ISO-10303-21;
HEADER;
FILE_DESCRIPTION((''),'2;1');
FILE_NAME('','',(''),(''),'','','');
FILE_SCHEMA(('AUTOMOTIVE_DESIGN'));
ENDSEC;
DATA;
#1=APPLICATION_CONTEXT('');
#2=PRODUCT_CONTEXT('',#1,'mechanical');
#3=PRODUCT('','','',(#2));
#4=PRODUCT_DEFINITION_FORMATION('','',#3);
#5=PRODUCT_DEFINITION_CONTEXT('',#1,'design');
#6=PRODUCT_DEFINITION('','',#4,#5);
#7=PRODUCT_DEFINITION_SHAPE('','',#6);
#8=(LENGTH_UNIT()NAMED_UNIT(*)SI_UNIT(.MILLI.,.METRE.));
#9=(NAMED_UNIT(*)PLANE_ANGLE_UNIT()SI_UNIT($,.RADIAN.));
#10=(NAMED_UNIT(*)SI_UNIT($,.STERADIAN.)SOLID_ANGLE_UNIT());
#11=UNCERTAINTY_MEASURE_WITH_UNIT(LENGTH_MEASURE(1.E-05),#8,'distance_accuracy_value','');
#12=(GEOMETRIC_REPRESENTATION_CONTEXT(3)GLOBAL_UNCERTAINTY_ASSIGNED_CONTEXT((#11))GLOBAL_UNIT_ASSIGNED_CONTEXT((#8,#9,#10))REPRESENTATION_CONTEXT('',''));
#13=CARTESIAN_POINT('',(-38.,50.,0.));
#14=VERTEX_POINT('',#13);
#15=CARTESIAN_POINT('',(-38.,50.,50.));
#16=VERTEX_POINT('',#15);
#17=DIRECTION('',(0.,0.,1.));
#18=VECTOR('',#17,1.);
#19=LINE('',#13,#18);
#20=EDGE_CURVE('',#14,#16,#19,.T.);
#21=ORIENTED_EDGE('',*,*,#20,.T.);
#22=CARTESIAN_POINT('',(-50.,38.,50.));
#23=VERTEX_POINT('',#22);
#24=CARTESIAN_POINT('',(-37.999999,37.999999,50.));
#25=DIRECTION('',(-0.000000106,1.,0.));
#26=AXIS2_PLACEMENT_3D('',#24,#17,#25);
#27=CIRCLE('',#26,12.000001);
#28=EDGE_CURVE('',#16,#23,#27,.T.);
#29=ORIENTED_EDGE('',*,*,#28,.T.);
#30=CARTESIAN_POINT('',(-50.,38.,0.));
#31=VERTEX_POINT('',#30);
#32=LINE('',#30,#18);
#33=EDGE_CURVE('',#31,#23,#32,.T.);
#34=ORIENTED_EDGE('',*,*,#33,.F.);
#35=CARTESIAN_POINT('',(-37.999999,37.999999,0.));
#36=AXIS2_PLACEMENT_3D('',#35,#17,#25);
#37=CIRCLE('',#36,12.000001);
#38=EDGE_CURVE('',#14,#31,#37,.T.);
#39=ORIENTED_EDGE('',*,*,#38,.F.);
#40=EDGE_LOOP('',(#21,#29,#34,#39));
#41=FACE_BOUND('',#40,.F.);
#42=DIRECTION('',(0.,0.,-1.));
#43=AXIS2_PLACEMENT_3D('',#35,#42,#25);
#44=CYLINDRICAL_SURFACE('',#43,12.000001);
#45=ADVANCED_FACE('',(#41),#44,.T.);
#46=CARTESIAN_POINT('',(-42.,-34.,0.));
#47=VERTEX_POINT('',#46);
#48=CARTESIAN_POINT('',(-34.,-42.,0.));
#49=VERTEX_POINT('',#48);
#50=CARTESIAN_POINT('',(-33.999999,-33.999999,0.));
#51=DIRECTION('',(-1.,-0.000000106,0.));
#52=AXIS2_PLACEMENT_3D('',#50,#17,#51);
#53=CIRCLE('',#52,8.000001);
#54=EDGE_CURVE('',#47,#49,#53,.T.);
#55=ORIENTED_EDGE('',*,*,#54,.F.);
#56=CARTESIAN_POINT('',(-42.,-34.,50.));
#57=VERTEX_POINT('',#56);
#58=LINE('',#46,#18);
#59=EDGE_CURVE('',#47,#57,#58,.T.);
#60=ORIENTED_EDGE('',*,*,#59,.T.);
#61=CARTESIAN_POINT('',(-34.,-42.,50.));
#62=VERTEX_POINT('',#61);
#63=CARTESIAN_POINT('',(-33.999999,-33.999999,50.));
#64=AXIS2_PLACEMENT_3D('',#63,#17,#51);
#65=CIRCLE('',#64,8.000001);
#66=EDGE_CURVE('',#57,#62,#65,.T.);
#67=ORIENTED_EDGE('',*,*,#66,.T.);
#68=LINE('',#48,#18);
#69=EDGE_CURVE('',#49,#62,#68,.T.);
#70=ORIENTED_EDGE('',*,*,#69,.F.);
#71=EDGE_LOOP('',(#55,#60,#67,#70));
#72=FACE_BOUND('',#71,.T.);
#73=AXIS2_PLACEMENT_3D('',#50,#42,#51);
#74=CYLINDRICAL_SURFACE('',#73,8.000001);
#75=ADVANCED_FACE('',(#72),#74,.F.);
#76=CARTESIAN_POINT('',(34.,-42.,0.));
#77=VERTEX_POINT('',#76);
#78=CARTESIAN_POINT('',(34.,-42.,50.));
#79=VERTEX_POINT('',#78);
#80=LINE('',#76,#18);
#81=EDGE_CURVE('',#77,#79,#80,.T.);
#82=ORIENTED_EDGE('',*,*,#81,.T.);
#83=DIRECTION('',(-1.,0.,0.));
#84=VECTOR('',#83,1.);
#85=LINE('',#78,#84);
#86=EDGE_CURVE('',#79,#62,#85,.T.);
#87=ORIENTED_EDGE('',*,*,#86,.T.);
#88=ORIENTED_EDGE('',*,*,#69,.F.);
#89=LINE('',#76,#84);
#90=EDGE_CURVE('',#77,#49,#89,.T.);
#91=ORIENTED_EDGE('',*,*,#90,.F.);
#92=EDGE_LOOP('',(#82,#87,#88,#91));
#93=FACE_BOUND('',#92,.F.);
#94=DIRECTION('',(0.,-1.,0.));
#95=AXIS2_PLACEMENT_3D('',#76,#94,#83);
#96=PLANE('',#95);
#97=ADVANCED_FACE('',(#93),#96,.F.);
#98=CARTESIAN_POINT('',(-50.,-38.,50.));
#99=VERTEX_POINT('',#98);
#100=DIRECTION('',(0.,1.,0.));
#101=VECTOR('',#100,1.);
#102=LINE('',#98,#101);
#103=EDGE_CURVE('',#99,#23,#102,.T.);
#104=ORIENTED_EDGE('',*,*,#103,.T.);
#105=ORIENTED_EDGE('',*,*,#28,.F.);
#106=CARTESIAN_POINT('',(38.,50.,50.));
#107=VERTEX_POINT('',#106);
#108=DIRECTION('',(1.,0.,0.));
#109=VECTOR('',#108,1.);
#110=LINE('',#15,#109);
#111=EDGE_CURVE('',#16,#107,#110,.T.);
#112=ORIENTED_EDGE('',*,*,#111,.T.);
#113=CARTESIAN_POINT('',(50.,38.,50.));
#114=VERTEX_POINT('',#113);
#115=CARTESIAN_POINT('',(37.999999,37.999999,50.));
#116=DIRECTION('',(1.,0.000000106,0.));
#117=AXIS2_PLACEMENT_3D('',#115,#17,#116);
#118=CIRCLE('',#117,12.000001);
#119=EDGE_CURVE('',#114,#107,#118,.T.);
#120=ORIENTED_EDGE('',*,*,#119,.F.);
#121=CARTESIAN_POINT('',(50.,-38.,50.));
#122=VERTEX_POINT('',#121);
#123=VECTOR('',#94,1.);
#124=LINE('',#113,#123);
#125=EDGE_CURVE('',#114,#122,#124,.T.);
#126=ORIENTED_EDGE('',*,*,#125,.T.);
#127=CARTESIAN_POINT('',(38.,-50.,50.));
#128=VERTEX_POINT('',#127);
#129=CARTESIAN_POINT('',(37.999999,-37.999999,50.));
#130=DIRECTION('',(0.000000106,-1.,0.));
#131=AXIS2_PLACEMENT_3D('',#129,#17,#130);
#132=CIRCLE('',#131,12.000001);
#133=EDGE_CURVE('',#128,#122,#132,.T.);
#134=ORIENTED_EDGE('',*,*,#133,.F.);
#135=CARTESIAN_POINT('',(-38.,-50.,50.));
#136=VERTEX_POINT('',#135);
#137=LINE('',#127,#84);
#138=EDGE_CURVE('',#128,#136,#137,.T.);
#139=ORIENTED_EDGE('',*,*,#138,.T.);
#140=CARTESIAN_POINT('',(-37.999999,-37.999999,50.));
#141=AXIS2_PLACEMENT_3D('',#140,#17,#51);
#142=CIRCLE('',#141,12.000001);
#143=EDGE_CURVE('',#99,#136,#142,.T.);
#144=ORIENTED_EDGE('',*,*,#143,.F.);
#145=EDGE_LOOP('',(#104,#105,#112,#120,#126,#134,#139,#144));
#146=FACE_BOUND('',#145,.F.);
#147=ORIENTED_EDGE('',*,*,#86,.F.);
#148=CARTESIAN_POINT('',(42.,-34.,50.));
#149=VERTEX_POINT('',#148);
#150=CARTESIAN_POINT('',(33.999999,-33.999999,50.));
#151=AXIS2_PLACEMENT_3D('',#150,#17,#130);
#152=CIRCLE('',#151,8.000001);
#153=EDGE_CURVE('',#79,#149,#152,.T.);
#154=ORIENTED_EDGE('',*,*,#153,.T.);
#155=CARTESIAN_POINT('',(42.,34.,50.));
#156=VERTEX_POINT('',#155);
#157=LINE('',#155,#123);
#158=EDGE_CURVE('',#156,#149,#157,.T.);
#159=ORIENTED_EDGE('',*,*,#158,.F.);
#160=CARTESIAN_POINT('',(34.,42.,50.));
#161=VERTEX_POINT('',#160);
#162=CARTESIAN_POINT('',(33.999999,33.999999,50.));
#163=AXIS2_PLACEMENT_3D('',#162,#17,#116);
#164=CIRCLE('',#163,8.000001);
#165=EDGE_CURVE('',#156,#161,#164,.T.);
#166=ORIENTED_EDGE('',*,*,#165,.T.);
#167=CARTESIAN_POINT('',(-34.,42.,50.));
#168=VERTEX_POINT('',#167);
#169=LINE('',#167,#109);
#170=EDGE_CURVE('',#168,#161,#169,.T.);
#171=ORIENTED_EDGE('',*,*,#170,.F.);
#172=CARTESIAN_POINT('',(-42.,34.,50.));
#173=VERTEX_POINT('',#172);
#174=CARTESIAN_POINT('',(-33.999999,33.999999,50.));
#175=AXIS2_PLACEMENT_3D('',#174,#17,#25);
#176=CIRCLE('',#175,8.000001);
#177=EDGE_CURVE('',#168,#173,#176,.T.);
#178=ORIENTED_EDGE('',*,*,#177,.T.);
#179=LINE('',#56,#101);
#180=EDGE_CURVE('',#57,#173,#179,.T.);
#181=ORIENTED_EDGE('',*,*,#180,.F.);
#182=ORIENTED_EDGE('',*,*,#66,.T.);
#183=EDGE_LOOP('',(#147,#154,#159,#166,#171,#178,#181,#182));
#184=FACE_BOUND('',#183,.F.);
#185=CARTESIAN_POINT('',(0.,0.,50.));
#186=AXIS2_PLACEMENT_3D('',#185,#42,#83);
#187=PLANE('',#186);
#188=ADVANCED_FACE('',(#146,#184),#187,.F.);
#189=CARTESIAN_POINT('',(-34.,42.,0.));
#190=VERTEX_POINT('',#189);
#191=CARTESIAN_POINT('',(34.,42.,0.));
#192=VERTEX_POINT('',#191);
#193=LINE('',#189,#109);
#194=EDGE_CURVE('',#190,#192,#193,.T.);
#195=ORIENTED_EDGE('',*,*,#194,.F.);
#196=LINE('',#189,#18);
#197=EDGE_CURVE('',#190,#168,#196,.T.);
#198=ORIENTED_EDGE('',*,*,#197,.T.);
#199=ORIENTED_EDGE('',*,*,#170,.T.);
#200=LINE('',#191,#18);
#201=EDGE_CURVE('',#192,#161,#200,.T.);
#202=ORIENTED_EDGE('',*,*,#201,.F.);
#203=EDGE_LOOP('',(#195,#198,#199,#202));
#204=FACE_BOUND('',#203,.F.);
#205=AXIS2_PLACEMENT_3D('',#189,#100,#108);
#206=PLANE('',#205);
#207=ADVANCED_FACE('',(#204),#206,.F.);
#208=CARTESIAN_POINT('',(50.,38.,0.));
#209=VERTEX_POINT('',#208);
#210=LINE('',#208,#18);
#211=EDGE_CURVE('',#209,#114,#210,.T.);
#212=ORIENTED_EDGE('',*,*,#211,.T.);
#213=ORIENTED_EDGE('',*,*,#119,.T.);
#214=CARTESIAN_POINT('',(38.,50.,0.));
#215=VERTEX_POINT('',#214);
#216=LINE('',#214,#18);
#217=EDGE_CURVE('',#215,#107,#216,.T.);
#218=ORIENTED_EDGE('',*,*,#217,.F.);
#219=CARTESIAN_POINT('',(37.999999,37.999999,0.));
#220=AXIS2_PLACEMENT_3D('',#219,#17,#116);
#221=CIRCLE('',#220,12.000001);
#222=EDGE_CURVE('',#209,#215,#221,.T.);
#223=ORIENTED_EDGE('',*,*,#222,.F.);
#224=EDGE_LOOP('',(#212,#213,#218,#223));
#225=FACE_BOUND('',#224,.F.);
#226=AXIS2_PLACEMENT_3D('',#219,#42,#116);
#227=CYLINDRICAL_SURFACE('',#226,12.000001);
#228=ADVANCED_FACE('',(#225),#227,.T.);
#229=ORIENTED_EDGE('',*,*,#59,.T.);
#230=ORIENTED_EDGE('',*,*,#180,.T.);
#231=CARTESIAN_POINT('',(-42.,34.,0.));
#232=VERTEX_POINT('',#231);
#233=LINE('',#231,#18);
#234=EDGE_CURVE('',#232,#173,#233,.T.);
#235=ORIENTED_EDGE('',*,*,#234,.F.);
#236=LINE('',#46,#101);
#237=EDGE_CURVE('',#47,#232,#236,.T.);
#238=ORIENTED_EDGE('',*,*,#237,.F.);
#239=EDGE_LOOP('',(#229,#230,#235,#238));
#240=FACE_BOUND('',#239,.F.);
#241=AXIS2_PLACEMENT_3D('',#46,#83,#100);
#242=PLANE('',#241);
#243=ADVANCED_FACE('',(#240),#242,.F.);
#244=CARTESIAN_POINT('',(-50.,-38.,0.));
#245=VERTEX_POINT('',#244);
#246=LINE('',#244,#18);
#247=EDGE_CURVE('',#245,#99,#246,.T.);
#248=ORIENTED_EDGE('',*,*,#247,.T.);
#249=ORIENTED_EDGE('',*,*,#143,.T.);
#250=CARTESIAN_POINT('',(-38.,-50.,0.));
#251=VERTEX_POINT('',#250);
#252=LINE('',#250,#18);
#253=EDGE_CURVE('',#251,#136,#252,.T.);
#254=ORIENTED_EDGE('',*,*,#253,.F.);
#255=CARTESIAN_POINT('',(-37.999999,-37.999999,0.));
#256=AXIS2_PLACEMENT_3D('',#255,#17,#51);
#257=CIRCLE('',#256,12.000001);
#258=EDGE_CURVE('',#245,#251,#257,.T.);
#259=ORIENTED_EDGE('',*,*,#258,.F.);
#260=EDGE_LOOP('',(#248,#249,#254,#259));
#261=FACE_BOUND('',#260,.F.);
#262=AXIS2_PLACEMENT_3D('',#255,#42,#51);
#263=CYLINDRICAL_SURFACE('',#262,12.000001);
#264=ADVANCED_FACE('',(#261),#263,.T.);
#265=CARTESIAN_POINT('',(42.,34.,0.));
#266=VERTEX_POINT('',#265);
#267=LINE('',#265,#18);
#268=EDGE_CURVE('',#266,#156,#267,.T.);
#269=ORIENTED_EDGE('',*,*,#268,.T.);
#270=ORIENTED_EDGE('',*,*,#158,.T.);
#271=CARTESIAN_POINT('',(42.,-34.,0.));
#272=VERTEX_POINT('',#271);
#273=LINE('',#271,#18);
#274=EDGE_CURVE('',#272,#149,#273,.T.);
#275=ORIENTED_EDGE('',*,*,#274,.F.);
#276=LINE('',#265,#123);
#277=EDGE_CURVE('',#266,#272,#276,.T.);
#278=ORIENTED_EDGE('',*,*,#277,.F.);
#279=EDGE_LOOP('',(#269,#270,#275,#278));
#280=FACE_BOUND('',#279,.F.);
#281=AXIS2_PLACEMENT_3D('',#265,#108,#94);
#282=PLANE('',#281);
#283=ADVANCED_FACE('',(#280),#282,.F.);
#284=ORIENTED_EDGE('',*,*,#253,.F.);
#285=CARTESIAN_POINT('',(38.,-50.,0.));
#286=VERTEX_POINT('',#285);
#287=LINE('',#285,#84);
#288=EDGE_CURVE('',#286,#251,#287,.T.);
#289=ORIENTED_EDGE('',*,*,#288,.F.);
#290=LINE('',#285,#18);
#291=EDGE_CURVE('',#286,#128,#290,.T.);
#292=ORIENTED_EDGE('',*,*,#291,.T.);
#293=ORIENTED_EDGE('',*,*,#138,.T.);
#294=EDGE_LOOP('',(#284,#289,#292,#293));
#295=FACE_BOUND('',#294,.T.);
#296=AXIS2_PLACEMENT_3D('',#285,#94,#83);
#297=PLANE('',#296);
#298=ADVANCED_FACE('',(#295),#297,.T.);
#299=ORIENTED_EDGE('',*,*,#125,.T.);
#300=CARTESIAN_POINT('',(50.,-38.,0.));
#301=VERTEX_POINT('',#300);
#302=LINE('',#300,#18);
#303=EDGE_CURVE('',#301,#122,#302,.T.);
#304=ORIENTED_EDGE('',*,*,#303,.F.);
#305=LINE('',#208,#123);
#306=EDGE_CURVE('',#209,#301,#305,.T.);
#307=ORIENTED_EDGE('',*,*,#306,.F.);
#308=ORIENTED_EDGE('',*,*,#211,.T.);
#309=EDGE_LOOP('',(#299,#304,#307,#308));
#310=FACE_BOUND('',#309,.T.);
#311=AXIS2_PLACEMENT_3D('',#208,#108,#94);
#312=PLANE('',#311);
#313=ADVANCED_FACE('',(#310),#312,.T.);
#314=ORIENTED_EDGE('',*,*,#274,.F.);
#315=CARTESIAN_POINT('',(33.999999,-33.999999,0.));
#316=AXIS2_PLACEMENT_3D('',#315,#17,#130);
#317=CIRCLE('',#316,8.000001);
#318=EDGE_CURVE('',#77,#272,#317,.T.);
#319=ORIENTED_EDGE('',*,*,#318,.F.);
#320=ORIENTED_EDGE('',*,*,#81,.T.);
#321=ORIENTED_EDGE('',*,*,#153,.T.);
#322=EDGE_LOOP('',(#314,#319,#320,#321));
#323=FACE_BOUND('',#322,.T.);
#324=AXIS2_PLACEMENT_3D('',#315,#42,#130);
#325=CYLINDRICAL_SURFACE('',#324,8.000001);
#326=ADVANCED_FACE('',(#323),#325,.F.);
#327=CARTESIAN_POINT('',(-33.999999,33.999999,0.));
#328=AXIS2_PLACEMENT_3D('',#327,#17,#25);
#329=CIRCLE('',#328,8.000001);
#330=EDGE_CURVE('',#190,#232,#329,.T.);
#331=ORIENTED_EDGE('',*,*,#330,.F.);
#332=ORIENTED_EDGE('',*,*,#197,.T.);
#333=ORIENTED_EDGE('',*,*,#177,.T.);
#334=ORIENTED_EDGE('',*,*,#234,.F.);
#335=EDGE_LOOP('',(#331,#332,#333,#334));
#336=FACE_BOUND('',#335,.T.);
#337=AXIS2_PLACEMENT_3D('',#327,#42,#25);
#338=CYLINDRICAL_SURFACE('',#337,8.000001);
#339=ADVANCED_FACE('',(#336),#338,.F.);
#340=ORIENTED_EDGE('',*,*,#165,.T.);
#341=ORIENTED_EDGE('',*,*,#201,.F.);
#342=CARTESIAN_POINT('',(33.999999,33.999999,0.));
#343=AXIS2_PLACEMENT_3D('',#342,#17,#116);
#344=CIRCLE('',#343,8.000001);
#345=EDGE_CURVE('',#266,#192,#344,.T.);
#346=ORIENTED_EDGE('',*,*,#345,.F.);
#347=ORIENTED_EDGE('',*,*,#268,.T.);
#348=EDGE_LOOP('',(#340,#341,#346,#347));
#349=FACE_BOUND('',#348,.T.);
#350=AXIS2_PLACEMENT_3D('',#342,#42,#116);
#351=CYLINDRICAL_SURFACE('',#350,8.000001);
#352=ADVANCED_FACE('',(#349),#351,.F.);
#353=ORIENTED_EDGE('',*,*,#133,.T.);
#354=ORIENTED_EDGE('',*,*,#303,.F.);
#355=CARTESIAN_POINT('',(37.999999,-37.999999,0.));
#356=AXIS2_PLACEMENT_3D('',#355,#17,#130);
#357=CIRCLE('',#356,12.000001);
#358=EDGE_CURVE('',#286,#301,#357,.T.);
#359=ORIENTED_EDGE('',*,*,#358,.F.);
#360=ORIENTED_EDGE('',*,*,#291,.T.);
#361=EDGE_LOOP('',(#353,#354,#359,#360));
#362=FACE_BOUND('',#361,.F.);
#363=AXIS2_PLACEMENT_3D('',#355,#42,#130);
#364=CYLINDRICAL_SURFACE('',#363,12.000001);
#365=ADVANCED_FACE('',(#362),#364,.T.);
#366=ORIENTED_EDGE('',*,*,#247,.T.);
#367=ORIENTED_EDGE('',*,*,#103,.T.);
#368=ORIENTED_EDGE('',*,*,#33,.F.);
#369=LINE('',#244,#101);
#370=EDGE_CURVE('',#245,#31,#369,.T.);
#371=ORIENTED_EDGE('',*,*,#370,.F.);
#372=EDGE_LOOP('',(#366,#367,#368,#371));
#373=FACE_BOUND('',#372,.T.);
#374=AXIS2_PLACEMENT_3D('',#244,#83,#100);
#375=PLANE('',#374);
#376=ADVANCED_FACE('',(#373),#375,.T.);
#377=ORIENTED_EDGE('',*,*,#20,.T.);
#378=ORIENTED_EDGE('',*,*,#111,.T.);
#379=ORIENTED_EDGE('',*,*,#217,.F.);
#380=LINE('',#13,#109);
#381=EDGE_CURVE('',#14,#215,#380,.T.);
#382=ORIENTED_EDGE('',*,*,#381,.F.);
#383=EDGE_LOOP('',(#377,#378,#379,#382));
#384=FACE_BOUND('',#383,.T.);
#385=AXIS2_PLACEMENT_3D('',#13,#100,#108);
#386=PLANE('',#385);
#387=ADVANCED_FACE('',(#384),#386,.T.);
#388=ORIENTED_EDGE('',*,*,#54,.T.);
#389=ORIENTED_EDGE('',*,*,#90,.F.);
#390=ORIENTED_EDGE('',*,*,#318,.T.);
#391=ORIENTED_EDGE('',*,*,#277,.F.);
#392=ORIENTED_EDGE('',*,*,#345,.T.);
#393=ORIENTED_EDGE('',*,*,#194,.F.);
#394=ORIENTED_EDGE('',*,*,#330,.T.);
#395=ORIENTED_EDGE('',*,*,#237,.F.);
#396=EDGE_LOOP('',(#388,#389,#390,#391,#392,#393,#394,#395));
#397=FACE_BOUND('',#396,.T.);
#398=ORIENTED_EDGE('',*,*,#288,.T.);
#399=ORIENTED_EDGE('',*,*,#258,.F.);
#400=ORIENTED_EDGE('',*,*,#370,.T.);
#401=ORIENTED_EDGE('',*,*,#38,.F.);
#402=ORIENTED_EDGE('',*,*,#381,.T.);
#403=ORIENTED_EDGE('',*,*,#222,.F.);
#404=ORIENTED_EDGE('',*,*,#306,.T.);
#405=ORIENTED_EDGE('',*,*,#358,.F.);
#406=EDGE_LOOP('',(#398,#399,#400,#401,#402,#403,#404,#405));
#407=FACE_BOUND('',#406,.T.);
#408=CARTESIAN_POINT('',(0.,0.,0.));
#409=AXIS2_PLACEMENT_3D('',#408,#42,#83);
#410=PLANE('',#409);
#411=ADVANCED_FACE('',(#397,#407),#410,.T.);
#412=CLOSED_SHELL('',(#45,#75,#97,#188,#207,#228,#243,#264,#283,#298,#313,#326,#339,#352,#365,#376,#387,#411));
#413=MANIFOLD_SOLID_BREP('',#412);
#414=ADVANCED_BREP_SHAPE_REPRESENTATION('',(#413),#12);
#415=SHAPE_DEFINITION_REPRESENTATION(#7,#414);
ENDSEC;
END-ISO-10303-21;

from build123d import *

# Parameters (mm, degrees)
EXTRUDE_DEPTH = 50


with BuildPart() as part:
    # Sketch → Extrude (new body)
    with BuildSketch(Plane.XY):
        with BuildLine():
            Line((-38, 50), (38, 50))
            ThreePointArc((50, 38), (46.485281, 46.485281), (38, 50))
            Line((50, 38), (50, -38))
            ThreePointArc((38, -50), (46.485281, -46.485281), (50, -38))
            Line((38, -50), (-38, -50))
            ThreePointArc((-50, -38), (-46.485281, -46.485281), (-38, -50))
            Line((-50, -38), (-50, 38))
            ThreePointArc((-38, 50), (-46.485281, 46.485281), (-50, 38))
        make_face()
        with BuildLine():
            Line((-34, 42), (34, 42))
            ThreePointArc((42, 34), (39.656854, 39.656854), (34, 42))
            Line((42, 34), (42, -34))
            ThreePointArc((34, -42), (39.656854, -39.656854), (42, -34))
            Line((34, -42), (-34, -42))
            ThreePointArc((-42, -34), (-39.656854, -39.656854), (-34, -42))
            Line((-42, -34), (-42, 34))
            ThreePointArc((-34, 42), (-39.656854, 39.656854), (-42, 34))
        make_face(mode=Mode.SUBTRACT)
    extrude(amount=EXTRUDE_DEPTH)


solid = part.part
